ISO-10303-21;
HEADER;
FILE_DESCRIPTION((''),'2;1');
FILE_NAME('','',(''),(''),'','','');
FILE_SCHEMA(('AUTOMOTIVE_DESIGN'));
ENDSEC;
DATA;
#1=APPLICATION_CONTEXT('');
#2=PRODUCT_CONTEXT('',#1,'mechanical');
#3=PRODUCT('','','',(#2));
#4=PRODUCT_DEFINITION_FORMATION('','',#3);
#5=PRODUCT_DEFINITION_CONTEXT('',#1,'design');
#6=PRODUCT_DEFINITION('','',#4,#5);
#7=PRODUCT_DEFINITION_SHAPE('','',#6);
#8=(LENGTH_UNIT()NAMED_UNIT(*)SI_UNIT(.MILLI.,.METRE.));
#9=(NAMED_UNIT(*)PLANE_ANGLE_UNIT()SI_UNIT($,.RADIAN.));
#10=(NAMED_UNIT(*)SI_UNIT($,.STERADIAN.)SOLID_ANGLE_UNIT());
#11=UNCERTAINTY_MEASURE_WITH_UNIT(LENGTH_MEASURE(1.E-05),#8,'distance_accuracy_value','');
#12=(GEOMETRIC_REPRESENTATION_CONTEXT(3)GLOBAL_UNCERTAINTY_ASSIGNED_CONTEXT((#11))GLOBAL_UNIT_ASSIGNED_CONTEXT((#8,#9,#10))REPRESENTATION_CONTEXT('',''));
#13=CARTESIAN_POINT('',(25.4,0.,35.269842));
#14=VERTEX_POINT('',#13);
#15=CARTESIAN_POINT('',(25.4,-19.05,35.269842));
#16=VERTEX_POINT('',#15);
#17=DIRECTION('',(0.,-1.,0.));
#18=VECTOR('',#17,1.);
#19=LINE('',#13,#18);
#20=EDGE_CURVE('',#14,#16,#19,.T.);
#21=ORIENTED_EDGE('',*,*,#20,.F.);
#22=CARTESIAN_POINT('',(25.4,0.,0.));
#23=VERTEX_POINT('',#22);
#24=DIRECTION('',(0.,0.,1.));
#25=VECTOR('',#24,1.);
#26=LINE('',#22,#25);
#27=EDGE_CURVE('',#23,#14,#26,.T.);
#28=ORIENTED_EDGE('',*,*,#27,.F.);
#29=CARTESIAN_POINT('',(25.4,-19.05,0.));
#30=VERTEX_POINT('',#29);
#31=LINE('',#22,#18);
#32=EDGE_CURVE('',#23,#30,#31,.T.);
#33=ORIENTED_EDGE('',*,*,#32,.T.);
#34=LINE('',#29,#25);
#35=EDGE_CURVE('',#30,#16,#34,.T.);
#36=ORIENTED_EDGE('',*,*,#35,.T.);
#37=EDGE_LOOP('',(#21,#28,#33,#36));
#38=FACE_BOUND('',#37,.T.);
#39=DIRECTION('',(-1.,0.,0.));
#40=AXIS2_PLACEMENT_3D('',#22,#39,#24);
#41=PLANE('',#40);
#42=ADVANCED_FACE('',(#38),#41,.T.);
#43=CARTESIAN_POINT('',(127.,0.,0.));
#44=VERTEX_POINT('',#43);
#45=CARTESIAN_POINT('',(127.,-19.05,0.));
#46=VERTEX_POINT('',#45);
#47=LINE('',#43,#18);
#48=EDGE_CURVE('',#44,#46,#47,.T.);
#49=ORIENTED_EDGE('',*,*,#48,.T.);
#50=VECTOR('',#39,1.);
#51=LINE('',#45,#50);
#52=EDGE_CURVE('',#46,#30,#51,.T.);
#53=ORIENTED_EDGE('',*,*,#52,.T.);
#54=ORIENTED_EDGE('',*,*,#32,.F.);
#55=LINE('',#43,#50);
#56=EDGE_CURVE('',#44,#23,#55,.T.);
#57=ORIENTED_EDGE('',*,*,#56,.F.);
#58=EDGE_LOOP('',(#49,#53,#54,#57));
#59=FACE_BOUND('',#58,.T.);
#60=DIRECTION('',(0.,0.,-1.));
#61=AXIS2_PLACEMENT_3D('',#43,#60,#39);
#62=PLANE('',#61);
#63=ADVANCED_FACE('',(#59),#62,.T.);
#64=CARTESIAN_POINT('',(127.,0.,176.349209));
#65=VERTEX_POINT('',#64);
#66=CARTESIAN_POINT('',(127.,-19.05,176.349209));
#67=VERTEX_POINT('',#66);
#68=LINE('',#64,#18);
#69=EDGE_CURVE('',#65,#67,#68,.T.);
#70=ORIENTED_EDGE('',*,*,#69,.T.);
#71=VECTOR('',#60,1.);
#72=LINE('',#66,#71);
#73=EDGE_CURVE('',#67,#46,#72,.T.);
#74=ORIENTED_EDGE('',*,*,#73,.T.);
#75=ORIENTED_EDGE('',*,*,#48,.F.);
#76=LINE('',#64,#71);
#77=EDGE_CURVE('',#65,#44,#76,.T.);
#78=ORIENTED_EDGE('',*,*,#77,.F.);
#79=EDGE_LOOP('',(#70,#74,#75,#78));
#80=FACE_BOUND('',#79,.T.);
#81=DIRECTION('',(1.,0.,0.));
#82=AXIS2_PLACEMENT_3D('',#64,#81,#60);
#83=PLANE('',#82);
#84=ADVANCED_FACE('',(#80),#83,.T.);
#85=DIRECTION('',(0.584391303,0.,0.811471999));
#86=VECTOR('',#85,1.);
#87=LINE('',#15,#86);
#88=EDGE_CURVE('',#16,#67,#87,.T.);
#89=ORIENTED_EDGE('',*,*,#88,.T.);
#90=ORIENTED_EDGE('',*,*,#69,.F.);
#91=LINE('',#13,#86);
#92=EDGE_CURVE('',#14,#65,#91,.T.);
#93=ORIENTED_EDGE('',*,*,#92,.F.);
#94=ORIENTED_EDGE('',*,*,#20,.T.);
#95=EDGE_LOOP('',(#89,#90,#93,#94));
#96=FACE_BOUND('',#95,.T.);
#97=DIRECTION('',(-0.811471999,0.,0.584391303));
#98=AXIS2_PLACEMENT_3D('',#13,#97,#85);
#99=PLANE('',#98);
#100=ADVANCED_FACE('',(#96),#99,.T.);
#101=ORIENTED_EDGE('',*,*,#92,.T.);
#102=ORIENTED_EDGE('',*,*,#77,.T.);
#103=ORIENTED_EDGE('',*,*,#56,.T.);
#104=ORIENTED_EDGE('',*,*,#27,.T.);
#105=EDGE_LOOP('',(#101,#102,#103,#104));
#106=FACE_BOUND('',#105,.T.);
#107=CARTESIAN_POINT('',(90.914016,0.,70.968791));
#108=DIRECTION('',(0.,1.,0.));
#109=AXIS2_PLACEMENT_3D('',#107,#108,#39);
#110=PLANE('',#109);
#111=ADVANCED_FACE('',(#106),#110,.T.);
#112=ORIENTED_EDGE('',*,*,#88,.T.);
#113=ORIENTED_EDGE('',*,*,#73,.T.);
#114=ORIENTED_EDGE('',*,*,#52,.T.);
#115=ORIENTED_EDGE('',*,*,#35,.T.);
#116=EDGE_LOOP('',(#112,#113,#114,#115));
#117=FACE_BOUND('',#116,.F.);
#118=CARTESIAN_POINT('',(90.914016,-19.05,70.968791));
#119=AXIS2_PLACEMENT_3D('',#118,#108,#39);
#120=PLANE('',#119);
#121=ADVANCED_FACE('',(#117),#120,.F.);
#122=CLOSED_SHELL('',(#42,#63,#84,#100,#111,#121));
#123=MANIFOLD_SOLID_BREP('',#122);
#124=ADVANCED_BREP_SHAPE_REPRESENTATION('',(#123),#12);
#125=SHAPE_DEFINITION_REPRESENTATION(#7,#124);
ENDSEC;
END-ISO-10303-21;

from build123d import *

# Parameters (mm, degrees)
PAD_DEPTH = 19.05


with BuildPart() as part:
    # Sketch → Pad (new body)
    with BuildSketch(Plane.XZ):
        Polygon((127, 176.349209), (127, 0), (25.4, 0), (25.4, 35.269842), align=None)
    extrude(amount=PAD_DEPTH)


solid = part.part
